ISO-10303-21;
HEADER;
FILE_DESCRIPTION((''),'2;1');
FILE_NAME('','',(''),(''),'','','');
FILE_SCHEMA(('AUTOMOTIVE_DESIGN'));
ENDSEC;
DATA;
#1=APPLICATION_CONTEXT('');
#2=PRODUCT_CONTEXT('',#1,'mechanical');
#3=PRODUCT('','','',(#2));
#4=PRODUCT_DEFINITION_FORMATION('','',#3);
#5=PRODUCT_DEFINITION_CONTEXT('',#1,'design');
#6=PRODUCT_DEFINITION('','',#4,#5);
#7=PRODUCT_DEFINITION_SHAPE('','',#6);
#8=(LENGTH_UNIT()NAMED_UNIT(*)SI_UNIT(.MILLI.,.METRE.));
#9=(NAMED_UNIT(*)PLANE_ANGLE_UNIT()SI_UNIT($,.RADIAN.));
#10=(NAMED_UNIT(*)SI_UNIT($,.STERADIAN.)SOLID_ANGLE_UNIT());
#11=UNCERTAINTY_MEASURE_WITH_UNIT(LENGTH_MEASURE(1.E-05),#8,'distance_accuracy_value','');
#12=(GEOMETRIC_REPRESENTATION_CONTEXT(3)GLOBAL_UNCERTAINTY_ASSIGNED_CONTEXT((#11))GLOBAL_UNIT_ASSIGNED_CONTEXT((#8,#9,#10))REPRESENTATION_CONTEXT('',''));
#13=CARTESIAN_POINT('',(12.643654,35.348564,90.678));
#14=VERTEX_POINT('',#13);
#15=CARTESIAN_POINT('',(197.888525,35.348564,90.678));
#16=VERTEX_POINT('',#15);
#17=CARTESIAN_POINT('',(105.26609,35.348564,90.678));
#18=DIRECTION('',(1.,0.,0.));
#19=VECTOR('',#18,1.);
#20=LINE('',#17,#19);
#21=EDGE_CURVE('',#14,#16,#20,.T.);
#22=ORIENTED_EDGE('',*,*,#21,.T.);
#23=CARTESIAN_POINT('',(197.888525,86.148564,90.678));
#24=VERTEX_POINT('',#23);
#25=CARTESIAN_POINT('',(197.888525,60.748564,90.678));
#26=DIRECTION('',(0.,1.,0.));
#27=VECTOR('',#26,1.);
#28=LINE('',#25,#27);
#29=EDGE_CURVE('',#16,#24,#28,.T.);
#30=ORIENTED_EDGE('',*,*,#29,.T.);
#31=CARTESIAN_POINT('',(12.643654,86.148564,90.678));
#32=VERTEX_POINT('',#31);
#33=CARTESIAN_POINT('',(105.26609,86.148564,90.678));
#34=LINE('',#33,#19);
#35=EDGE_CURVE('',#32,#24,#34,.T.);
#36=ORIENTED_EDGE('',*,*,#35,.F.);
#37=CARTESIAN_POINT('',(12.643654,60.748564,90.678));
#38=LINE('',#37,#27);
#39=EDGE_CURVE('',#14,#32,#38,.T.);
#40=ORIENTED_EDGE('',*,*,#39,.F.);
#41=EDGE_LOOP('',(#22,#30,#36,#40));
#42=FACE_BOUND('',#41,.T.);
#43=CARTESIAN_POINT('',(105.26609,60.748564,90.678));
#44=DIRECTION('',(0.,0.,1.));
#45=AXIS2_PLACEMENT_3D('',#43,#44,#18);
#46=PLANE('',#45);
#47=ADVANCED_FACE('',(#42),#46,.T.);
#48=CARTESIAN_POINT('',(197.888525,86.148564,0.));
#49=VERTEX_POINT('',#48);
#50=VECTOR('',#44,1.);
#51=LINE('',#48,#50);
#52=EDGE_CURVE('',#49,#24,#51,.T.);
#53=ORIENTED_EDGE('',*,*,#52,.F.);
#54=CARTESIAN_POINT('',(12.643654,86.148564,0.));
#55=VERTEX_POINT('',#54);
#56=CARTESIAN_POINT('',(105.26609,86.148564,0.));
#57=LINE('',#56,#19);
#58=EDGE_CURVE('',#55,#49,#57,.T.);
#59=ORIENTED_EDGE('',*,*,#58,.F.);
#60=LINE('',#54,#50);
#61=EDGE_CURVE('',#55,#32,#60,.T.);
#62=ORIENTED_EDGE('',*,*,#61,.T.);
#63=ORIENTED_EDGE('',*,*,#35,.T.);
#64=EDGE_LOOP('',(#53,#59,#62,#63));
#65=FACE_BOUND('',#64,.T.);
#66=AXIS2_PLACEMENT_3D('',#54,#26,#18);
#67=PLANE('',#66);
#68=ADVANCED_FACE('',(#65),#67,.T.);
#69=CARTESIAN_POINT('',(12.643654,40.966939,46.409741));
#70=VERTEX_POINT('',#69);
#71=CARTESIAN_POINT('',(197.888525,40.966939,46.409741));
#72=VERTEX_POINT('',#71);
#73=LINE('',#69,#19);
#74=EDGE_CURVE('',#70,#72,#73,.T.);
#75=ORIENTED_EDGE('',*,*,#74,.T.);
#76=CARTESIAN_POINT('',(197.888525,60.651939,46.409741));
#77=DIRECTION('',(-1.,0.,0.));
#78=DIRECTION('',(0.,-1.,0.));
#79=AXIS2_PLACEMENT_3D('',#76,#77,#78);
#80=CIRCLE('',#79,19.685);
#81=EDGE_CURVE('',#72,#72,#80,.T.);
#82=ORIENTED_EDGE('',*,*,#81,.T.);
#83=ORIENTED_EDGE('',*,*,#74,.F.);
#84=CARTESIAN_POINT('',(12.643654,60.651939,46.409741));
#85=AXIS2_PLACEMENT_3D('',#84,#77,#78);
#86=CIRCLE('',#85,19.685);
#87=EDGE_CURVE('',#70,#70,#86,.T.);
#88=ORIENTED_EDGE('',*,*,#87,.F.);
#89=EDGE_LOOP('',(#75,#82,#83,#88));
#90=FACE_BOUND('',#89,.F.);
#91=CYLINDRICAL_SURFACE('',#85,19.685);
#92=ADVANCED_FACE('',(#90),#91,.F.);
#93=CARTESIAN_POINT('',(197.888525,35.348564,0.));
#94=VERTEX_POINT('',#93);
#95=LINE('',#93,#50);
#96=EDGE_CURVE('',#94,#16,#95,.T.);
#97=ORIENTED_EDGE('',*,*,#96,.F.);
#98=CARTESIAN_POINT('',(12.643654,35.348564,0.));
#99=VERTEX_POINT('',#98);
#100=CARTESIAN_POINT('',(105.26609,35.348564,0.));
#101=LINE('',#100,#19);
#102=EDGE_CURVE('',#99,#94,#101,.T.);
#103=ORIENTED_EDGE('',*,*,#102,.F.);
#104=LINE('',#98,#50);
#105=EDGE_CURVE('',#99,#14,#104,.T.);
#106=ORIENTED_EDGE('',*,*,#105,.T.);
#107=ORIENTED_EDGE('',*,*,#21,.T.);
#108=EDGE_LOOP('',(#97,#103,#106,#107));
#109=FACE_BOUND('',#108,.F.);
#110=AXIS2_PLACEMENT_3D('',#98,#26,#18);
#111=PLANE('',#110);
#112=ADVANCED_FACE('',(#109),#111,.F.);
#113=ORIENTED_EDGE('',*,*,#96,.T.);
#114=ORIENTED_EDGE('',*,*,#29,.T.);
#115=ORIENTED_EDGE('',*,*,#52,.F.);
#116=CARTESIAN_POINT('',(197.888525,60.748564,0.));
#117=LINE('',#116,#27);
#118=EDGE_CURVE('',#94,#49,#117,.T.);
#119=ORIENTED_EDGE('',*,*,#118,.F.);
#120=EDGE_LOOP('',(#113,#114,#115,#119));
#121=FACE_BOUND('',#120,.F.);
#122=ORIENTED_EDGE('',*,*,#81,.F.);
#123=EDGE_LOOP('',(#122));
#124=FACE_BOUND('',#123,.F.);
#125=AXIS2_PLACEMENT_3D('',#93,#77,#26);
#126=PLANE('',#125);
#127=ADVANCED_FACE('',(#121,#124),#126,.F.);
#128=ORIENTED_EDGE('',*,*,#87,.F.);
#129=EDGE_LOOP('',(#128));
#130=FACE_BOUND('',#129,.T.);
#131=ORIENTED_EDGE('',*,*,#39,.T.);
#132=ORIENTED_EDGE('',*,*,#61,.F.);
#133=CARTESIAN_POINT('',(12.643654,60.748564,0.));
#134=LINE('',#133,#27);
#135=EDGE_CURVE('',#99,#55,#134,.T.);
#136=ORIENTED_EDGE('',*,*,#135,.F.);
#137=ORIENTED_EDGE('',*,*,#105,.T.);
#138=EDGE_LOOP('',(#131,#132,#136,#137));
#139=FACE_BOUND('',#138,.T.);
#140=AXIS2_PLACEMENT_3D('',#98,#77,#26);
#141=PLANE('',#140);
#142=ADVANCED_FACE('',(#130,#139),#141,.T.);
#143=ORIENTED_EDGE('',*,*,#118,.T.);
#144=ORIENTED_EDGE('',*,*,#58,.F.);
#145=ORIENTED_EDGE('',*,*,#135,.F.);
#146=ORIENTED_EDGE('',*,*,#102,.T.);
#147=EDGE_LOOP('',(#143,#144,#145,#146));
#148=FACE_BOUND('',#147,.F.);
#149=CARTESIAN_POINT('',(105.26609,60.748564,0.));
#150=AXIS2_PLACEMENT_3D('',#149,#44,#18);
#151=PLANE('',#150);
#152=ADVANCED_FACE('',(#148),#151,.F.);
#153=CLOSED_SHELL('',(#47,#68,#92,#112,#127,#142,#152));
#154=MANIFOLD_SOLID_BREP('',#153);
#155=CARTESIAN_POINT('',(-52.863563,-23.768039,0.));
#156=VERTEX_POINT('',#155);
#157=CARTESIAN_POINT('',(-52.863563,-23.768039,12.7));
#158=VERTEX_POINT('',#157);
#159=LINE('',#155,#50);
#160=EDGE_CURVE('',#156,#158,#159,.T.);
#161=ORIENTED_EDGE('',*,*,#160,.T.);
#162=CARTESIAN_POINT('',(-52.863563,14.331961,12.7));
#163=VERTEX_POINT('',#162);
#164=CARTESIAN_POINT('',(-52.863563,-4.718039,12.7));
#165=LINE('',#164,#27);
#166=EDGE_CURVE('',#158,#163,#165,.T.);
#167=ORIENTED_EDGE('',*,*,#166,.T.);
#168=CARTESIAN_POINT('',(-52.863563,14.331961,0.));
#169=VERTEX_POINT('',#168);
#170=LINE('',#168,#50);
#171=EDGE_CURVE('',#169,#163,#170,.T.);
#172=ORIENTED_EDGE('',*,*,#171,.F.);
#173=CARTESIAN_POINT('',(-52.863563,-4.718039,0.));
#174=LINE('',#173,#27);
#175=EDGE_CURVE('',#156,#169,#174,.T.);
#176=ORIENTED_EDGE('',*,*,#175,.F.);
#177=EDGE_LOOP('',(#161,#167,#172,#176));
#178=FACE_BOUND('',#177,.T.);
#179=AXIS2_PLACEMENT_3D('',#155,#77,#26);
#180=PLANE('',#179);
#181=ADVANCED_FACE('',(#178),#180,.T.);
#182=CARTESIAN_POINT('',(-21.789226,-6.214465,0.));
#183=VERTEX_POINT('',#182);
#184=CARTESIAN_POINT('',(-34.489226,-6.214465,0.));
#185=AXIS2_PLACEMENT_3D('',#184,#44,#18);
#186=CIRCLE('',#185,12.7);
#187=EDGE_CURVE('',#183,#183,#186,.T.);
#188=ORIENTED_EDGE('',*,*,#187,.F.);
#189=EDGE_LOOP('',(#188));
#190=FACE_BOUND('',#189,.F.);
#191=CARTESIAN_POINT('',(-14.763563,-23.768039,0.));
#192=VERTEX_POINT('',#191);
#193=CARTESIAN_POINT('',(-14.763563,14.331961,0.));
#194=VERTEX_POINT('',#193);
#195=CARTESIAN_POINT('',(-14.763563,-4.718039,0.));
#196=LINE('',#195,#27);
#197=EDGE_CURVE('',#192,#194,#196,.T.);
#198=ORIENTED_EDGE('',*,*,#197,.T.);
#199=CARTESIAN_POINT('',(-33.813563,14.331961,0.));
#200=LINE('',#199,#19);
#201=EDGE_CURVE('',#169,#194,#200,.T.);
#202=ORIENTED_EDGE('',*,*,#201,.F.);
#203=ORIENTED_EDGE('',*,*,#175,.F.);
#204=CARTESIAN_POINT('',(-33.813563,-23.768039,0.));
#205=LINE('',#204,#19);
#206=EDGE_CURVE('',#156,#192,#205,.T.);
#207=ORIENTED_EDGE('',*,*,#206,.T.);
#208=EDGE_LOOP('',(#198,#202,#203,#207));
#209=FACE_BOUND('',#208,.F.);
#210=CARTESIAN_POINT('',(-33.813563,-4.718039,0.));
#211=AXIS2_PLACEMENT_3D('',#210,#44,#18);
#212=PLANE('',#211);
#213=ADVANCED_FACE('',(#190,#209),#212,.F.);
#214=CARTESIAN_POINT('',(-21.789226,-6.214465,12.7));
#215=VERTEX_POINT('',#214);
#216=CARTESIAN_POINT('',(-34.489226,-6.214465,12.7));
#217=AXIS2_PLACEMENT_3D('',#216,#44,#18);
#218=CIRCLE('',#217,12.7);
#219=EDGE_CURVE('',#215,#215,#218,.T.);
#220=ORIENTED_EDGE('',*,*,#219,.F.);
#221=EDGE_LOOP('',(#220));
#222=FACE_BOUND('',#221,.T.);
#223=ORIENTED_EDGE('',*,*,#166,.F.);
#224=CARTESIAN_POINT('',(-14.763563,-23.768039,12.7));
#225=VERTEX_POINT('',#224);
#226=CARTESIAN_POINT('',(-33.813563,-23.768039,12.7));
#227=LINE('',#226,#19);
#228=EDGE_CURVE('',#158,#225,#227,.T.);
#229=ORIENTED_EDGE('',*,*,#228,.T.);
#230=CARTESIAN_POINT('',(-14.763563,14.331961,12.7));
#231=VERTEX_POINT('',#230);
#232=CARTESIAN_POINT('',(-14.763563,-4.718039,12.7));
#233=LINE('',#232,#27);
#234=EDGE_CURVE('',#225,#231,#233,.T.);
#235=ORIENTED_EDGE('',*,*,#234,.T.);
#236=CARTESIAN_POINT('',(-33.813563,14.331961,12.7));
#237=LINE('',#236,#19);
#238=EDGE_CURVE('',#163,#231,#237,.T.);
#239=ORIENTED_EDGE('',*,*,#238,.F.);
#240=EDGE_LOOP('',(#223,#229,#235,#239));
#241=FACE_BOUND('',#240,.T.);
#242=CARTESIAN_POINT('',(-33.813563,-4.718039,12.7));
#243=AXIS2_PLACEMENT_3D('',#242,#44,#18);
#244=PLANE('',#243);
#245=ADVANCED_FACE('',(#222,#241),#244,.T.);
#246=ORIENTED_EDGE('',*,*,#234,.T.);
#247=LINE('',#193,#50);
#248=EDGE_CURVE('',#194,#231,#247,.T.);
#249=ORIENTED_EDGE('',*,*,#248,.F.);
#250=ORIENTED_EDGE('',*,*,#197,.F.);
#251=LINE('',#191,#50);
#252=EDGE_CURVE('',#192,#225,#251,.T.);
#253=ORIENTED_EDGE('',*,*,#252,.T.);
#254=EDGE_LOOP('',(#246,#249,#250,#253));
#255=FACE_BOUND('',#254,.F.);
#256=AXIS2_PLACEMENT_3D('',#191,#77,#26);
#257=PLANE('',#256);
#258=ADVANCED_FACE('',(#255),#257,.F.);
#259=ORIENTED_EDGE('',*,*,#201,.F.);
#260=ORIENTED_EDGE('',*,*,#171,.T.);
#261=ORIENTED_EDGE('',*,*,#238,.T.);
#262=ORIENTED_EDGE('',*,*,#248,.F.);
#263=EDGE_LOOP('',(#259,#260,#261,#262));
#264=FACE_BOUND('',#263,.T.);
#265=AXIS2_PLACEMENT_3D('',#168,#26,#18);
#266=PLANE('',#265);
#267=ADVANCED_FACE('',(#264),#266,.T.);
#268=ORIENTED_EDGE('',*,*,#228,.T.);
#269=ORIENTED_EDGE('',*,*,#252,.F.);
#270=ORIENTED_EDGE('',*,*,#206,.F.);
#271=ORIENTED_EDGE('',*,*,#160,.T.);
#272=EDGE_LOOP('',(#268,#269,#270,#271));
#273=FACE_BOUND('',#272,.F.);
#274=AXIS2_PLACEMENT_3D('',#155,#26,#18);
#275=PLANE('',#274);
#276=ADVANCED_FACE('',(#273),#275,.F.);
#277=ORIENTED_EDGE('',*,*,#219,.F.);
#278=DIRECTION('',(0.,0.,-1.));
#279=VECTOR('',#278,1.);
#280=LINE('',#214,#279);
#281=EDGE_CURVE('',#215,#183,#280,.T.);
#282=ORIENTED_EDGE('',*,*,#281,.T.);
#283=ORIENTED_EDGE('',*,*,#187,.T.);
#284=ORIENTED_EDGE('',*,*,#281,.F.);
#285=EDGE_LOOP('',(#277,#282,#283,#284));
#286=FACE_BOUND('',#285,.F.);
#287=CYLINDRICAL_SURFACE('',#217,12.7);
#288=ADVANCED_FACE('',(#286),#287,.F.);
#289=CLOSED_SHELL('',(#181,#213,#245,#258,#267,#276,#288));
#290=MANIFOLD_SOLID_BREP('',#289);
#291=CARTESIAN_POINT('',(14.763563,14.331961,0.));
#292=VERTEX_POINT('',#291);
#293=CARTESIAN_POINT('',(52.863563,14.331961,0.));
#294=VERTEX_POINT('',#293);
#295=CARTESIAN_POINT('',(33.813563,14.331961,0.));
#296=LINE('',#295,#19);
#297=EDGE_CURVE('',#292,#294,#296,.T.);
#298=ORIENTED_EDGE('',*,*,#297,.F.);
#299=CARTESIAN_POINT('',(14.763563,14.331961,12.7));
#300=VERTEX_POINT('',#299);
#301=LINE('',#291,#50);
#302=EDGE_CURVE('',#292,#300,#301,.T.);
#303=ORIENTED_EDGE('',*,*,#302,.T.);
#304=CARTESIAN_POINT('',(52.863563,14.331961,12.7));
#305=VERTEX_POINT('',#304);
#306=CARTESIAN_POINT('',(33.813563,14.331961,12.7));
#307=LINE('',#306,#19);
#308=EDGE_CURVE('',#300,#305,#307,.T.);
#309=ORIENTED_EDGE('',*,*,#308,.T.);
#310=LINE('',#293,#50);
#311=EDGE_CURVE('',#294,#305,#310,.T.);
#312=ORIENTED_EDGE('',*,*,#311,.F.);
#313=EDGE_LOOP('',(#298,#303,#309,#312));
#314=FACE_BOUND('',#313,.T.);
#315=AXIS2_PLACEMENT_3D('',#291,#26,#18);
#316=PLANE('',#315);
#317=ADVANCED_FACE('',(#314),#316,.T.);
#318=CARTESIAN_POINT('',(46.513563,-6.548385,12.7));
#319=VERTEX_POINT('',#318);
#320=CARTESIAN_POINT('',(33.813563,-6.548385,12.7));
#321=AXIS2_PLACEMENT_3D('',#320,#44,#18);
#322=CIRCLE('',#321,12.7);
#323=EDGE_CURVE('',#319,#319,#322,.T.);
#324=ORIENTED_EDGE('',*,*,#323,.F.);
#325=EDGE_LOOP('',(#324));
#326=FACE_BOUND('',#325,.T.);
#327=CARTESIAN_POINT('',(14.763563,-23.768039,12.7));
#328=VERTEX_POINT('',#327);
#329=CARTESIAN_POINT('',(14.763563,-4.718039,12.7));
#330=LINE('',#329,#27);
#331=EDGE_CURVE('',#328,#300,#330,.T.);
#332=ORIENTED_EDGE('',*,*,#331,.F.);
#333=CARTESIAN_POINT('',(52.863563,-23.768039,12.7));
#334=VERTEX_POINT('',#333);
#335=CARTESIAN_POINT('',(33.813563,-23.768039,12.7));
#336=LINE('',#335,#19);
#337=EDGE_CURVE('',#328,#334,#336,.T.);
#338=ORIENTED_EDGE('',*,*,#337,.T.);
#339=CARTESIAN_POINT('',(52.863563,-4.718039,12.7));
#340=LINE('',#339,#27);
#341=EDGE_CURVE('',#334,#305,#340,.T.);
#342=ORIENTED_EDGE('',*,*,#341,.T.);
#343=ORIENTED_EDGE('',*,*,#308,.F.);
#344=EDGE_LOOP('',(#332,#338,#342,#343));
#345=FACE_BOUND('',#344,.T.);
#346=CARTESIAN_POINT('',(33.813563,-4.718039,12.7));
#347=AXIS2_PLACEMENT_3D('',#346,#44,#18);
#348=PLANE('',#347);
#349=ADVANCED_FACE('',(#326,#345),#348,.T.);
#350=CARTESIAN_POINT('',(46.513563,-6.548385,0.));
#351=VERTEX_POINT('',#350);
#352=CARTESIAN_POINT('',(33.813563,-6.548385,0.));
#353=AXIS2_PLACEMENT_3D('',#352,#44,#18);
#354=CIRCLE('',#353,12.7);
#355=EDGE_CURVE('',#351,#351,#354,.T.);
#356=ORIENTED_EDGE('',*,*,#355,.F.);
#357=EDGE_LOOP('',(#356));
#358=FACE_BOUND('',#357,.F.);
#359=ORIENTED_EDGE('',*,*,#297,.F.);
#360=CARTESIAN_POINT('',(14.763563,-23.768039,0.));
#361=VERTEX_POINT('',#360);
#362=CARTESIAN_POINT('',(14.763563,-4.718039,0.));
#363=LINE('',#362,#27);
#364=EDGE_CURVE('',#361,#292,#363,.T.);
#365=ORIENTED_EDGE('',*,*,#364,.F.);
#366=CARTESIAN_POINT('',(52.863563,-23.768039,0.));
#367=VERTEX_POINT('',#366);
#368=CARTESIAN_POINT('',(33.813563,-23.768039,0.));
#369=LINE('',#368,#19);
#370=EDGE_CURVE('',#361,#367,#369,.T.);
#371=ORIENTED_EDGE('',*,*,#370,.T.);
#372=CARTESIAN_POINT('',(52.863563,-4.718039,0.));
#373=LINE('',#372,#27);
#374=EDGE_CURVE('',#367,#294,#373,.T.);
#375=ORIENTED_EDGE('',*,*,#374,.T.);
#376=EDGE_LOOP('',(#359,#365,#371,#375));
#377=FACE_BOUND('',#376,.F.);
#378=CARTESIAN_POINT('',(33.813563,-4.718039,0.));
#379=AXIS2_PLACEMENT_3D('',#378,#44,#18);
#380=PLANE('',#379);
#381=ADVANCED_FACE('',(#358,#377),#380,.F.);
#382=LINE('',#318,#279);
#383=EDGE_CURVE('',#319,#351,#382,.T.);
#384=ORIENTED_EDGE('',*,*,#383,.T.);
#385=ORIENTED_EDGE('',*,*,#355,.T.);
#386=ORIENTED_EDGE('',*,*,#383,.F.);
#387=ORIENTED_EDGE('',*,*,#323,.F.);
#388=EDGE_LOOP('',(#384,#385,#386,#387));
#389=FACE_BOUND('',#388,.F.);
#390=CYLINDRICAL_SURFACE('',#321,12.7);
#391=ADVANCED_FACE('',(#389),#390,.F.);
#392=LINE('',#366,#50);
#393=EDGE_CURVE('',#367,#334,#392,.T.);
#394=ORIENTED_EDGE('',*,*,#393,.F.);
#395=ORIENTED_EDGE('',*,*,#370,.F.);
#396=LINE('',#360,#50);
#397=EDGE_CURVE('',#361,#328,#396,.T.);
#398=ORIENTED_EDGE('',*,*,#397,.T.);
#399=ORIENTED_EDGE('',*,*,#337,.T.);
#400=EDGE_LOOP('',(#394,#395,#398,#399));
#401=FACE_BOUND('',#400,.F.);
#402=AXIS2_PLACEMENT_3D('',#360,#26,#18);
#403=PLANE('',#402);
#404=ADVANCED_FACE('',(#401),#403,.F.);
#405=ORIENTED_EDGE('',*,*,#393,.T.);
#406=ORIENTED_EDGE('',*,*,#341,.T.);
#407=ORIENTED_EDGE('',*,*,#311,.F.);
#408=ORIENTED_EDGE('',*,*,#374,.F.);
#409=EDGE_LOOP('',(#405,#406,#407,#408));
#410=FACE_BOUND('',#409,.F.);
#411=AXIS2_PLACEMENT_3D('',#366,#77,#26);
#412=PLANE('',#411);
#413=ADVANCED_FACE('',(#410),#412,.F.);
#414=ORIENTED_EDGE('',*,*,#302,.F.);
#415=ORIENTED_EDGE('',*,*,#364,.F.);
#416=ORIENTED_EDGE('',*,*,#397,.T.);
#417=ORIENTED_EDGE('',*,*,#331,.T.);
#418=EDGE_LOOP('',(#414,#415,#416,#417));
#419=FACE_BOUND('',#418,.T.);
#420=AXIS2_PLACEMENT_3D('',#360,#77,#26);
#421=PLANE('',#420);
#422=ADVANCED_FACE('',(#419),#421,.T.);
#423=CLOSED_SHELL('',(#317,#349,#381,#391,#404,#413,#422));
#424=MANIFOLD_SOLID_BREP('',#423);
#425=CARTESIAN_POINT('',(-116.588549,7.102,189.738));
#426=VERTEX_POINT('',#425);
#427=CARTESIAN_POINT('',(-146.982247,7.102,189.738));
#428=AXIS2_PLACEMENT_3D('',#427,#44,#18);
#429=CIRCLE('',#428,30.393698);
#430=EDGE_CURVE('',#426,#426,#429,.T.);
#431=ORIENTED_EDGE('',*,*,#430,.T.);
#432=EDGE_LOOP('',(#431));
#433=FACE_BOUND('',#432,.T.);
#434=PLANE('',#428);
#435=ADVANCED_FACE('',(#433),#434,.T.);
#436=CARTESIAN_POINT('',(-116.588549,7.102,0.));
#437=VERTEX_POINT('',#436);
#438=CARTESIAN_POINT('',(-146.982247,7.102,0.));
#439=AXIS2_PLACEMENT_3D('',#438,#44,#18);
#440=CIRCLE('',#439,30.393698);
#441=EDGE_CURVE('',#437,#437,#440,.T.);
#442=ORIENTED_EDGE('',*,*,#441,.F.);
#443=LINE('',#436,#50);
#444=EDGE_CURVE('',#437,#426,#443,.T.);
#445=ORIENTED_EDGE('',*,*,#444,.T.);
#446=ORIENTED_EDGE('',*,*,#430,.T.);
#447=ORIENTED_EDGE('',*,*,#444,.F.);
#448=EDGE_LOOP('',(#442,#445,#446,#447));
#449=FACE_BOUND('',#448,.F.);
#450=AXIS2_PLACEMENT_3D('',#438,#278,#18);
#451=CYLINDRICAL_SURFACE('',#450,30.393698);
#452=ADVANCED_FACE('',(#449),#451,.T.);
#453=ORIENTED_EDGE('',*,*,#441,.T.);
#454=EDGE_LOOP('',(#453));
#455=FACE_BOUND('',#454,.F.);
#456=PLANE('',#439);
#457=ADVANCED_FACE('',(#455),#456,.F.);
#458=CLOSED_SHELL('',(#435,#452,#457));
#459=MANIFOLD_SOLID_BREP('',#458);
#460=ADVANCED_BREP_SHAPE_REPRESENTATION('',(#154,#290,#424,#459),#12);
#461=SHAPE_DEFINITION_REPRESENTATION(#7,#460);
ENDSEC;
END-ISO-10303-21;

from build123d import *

# Parameters (mm, degrees)
F0_R      = 30.3936981342
F1_DEPTH  = 90.678
F0_W      = 185.2448705491
F0_H      = 50.8
F2_R      = 19.685
F3_DEPTH  = 254
F4_DEPTH  = 72.644
F5_DEPTH  = 163.449
F6_DEPTH  = 189.738
F7_W      = 38.1
F7_H      = 38.1
F8_DEPTH  = 12.7
F9_R      = 12.7
F11_DEPTH = 25.4
F10_R     = 12.7
F12_DEPTH = 25.4


with BuildPart() as f1:
    # F0 (on Top) → F1 (new body)
    with BuildSketch(Plane.XY):
        with Locations((-146.9822469854, 7.1020000799)):
            Circle(F0_R)
    extrude(amount=F1_DEPTH)

    # F4 (add): a face of the model
    f4_faces = [f1.faces().sort_by_distance(p)[0] for p in [
        (-146.9822469854, 7.1020000799, 90.678),
    ]]
    extrude(f4_faces, amount=F4_DEPTH)

    # F5 (cut): a face of the model
    f5_faces = [f1.faces().sort_by_distance(p)[0] for p in [
        (-146.9822469854, 7.1020000799, 163.322),
    ]]
    extrude(f5_faces, amount=-F5_DEPTH, mode=Mode.SUBTRACT)


with BuildPart() as f1b:
    # F0 (on Top) → F1, piece 2 (new body)
    with BuildSketch(Plane.XY):
        with Locations((105.2660896319, 60.7485641011)):
            Rectangle(F0_W, F0_H)
    extrude(amount=F1_DEPTH)

    # F2 (on face) → F3 (cut)
    with BuildSketch(Plane(origin=(12.6436543573, 0, 0), x_dir=(0, -1, 0), z_dir=(-1, 0, 0))):
        with Locations((-60.6519393623, 46.409741044)):
            Circle(F2_R)
    extrude(amount=-F3_DEPTH, mode=Mode.SUBTRACT)


with BuildPart() as f6:
    # F0 (on Top) → F6 (new body)
    with BuildSketch(Plane.XY):
        with Locations((-146.9822469854, 7.1020000799)):
            Circle(F0_R)
    extrude(amount=F6_DEPTH)


with BuildPart() as f8:
    # F7 (on Top) → F8 (new body)
    with BuildSketch(Plane.XY):
        with Locations((-33.8135628553, -4.7180391848)):
            Rectangle(F7_W, F7_H)
    extrude(amount=F8_DEPTH)

    # F9 (on face) → F11 (cut)
    with BuildSketch(Plane.XY.offset(12.7)):
        with Locations((-34.4892255962, -6.2144650146)):
            Circle(F9_R)
    extrude(amount=-F11_DEPTH, mode=Mode.SUBTRACT)


with BuildPart() as f8b:
    # F7 (on Top) → F8, piece 2 (new body)
    with BuildSketch(Plane.XY):
        with Locations((33.8135628553, -4.7180391848)):
            Rectangle(F7_W, F7_H)
    extrude(amount=F8_DEPTH)

    # F10 (on face) → F12 (cut)
    with BuildSketch(Plane.XY.offset(12.7)):
        with Locations((33.8135628553, -6.5483846702)):
            Circle(F10_R)
    extrude(amount=-F12_DEPTH, mode=Mode.SUBTRACT)


solid = Compound([f1b.part, f6.part, f8.part, f8b.part])
